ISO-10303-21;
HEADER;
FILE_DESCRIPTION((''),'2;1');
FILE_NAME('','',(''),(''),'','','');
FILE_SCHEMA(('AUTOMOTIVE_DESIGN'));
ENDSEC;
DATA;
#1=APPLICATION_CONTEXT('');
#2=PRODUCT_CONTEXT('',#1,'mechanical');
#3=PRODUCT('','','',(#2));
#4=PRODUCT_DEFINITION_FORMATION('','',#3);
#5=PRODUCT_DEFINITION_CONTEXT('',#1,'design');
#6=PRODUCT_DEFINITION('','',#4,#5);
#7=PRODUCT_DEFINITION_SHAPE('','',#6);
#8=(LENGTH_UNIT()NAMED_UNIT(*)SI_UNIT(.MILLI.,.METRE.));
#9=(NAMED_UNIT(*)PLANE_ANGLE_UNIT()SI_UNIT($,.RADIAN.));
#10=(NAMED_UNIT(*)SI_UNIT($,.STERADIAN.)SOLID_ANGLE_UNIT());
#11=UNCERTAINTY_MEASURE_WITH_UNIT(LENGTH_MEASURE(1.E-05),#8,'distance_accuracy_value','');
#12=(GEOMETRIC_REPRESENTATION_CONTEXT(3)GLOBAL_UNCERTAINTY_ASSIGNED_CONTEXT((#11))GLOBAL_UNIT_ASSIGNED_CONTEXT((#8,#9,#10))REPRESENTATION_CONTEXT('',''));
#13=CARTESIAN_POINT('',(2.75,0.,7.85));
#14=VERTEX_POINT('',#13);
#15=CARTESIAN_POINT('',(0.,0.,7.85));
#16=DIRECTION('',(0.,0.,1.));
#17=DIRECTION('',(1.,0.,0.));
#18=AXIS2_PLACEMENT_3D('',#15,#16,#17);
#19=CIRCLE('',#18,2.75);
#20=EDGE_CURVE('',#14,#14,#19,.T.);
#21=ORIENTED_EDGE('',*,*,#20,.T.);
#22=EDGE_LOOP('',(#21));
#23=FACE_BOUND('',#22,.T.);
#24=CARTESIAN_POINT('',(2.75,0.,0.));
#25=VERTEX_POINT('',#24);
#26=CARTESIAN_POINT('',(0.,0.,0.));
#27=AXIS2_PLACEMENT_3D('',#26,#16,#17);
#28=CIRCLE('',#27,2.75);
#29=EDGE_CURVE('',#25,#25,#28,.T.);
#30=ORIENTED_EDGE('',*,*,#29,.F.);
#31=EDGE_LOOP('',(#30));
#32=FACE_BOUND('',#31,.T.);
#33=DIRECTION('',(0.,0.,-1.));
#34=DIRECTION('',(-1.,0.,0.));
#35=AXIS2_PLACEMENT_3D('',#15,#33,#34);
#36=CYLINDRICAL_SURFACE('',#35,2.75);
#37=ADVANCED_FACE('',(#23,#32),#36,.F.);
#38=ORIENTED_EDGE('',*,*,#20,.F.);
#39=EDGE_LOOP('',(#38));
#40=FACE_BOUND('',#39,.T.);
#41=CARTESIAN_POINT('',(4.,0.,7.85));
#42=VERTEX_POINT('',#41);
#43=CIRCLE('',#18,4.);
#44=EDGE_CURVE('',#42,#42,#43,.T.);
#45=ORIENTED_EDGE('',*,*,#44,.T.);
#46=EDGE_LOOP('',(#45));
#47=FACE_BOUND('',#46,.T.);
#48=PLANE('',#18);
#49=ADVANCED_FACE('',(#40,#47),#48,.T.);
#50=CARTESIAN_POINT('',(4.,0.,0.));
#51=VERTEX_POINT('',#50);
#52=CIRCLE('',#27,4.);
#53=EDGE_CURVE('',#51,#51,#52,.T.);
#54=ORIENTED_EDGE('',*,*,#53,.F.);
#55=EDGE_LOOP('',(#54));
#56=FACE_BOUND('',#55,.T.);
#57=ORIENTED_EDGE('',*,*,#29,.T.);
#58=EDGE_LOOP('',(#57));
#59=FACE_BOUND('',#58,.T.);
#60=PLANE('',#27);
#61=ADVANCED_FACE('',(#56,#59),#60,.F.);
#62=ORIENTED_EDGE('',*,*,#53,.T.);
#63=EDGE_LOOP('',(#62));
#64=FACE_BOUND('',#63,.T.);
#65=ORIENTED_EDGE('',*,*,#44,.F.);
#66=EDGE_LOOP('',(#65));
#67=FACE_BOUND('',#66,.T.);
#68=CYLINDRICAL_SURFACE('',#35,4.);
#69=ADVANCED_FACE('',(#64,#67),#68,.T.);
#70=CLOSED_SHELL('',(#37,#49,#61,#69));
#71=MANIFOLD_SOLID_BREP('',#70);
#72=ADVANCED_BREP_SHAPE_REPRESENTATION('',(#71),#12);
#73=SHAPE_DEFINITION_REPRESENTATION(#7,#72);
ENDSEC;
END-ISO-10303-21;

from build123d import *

# Parameters (mm, degrees)
SKETCH1_R           = 4
SKETCH1_R_2         = 2.75
BOSS_EXTRUDE1_DEPTH = 7.85


with BuildPart() as part:
    # Sketch1 → Boss-Extrude1 (new body)
    with BuildSketch(Plane.XY):
        Circle(SKETCH1_R)
        Circle(SKETCH1_R_2, mode=Mode.SUBTRACT)
    extrude(amount=BOSS_EXTRUDE1_DEPTH)


solid = part.part
